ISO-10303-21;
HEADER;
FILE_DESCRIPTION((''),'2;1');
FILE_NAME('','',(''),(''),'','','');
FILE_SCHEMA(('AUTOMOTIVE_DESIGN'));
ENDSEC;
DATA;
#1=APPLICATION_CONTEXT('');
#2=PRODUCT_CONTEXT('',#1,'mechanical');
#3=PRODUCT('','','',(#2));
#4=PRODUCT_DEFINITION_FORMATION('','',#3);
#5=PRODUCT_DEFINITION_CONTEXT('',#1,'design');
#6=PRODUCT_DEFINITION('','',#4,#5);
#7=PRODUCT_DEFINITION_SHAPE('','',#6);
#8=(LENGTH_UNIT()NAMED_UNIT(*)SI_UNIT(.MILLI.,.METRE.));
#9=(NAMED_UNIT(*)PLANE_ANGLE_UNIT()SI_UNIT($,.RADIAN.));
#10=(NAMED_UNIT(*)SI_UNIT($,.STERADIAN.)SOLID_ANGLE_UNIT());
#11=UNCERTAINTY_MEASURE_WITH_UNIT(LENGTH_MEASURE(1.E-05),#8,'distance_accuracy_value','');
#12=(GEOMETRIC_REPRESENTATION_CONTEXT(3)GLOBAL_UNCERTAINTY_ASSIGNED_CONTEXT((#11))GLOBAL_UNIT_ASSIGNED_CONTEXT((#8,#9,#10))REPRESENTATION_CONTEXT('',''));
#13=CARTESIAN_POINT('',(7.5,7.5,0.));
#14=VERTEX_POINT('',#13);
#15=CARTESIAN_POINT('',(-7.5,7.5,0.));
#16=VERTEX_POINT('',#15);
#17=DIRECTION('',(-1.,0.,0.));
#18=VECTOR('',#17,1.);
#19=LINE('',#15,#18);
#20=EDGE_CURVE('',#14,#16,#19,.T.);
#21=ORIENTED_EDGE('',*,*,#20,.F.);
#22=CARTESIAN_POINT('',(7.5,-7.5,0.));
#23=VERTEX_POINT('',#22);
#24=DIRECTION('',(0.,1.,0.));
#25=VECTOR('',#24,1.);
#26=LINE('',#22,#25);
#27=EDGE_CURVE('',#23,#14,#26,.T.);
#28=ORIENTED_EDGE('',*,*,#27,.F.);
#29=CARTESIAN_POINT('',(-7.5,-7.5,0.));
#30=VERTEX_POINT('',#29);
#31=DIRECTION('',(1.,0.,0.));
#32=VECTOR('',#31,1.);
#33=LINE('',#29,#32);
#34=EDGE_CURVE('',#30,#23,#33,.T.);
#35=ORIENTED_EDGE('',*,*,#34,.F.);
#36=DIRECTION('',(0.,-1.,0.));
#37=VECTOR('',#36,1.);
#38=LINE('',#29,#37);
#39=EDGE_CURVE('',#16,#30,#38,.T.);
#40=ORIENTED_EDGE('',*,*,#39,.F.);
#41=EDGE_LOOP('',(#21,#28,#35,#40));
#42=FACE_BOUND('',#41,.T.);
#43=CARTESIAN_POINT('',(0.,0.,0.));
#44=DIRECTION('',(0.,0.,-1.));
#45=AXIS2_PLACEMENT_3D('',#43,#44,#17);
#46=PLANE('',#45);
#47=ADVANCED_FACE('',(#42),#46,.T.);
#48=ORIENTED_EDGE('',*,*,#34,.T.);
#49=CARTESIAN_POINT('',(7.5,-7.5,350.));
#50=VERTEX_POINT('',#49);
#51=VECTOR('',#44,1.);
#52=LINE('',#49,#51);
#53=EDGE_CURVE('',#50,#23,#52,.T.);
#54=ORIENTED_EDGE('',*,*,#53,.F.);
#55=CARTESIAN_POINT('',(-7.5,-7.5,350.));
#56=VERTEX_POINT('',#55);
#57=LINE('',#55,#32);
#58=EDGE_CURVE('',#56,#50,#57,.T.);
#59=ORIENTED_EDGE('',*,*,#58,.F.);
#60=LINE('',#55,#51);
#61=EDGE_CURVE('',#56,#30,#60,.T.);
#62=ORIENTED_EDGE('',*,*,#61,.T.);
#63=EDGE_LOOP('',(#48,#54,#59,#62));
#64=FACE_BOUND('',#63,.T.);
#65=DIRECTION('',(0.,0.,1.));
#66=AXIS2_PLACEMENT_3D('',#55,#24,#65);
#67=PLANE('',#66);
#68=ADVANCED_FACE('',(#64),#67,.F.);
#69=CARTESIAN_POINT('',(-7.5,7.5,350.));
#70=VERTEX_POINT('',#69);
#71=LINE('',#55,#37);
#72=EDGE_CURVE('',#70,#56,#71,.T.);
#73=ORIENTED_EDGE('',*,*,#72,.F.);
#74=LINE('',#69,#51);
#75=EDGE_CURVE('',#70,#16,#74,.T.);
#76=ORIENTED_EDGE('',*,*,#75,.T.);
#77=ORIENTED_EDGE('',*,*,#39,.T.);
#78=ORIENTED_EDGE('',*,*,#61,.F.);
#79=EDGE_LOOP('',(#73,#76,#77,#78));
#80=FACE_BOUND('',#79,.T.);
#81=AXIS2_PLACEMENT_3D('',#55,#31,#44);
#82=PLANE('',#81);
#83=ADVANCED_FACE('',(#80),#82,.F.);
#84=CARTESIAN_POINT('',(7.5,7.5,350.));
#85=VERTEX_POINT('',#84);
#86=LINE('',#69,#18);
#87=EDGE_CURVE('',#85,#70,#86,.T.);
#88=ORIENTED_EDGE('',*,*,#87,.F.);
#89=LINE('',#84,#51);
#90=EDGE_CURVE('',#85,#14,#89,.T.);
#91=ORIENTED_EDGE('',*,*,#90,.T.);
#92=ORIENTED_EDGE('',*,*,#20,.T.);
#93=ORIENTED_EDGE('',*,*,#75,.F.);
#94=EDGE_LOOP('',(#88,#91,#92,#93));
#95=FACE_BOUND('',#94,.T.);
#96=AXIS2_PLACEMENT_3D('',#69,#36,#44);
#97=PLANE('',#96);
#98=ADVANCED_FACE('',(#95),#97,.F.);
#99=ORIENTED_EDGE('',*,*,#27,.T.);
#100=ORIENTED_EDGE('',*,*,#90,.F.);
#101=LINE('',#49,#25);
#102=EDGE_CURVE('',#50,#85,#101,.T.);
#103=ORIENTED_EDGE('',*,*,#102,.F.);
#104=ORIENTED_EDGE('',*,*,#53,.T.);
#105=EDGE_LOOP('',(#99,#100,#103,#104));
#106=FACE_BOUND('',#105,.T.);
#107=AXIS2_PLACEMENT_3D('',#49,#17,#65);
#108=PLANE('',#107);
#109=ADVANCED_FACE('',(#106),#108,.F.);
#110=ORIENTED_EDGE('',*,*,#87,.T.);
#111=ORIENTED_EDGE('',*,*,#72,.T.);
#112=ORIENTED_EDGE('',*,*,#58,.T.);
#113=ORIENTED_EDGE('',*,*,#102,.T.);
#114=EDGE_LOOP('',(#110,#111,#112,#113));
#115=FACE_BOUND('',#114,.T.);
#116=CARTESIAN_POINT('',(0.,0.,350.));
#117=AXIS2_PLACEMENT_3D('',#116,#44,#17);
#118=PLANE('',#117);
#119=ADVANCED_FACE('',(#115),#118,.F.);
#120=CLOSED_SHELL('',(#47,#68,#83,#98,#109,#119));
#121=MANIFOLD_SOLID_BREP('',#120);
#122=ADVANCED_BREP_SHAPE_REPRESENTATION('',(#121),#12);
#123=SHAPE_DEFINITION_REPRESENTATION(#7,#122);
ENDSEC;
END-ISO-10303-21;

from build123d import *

# Parameters (mm, degrees)
SKETCH1_W           = 15
SKETCH1_H           = 15
BOSS_EXTRUDE1_DEPTH = 350


with BuildPart() as part:
    # Sketch1 → Boss-Extrude1 (new body)
    with BuildSketch(Plane.XY):
        Rectangle(SKETCH1_W, SKETCH1_H)
    extrude(amount=BOSS_EXTRUDE1_DEPTH)


solid = part.part
